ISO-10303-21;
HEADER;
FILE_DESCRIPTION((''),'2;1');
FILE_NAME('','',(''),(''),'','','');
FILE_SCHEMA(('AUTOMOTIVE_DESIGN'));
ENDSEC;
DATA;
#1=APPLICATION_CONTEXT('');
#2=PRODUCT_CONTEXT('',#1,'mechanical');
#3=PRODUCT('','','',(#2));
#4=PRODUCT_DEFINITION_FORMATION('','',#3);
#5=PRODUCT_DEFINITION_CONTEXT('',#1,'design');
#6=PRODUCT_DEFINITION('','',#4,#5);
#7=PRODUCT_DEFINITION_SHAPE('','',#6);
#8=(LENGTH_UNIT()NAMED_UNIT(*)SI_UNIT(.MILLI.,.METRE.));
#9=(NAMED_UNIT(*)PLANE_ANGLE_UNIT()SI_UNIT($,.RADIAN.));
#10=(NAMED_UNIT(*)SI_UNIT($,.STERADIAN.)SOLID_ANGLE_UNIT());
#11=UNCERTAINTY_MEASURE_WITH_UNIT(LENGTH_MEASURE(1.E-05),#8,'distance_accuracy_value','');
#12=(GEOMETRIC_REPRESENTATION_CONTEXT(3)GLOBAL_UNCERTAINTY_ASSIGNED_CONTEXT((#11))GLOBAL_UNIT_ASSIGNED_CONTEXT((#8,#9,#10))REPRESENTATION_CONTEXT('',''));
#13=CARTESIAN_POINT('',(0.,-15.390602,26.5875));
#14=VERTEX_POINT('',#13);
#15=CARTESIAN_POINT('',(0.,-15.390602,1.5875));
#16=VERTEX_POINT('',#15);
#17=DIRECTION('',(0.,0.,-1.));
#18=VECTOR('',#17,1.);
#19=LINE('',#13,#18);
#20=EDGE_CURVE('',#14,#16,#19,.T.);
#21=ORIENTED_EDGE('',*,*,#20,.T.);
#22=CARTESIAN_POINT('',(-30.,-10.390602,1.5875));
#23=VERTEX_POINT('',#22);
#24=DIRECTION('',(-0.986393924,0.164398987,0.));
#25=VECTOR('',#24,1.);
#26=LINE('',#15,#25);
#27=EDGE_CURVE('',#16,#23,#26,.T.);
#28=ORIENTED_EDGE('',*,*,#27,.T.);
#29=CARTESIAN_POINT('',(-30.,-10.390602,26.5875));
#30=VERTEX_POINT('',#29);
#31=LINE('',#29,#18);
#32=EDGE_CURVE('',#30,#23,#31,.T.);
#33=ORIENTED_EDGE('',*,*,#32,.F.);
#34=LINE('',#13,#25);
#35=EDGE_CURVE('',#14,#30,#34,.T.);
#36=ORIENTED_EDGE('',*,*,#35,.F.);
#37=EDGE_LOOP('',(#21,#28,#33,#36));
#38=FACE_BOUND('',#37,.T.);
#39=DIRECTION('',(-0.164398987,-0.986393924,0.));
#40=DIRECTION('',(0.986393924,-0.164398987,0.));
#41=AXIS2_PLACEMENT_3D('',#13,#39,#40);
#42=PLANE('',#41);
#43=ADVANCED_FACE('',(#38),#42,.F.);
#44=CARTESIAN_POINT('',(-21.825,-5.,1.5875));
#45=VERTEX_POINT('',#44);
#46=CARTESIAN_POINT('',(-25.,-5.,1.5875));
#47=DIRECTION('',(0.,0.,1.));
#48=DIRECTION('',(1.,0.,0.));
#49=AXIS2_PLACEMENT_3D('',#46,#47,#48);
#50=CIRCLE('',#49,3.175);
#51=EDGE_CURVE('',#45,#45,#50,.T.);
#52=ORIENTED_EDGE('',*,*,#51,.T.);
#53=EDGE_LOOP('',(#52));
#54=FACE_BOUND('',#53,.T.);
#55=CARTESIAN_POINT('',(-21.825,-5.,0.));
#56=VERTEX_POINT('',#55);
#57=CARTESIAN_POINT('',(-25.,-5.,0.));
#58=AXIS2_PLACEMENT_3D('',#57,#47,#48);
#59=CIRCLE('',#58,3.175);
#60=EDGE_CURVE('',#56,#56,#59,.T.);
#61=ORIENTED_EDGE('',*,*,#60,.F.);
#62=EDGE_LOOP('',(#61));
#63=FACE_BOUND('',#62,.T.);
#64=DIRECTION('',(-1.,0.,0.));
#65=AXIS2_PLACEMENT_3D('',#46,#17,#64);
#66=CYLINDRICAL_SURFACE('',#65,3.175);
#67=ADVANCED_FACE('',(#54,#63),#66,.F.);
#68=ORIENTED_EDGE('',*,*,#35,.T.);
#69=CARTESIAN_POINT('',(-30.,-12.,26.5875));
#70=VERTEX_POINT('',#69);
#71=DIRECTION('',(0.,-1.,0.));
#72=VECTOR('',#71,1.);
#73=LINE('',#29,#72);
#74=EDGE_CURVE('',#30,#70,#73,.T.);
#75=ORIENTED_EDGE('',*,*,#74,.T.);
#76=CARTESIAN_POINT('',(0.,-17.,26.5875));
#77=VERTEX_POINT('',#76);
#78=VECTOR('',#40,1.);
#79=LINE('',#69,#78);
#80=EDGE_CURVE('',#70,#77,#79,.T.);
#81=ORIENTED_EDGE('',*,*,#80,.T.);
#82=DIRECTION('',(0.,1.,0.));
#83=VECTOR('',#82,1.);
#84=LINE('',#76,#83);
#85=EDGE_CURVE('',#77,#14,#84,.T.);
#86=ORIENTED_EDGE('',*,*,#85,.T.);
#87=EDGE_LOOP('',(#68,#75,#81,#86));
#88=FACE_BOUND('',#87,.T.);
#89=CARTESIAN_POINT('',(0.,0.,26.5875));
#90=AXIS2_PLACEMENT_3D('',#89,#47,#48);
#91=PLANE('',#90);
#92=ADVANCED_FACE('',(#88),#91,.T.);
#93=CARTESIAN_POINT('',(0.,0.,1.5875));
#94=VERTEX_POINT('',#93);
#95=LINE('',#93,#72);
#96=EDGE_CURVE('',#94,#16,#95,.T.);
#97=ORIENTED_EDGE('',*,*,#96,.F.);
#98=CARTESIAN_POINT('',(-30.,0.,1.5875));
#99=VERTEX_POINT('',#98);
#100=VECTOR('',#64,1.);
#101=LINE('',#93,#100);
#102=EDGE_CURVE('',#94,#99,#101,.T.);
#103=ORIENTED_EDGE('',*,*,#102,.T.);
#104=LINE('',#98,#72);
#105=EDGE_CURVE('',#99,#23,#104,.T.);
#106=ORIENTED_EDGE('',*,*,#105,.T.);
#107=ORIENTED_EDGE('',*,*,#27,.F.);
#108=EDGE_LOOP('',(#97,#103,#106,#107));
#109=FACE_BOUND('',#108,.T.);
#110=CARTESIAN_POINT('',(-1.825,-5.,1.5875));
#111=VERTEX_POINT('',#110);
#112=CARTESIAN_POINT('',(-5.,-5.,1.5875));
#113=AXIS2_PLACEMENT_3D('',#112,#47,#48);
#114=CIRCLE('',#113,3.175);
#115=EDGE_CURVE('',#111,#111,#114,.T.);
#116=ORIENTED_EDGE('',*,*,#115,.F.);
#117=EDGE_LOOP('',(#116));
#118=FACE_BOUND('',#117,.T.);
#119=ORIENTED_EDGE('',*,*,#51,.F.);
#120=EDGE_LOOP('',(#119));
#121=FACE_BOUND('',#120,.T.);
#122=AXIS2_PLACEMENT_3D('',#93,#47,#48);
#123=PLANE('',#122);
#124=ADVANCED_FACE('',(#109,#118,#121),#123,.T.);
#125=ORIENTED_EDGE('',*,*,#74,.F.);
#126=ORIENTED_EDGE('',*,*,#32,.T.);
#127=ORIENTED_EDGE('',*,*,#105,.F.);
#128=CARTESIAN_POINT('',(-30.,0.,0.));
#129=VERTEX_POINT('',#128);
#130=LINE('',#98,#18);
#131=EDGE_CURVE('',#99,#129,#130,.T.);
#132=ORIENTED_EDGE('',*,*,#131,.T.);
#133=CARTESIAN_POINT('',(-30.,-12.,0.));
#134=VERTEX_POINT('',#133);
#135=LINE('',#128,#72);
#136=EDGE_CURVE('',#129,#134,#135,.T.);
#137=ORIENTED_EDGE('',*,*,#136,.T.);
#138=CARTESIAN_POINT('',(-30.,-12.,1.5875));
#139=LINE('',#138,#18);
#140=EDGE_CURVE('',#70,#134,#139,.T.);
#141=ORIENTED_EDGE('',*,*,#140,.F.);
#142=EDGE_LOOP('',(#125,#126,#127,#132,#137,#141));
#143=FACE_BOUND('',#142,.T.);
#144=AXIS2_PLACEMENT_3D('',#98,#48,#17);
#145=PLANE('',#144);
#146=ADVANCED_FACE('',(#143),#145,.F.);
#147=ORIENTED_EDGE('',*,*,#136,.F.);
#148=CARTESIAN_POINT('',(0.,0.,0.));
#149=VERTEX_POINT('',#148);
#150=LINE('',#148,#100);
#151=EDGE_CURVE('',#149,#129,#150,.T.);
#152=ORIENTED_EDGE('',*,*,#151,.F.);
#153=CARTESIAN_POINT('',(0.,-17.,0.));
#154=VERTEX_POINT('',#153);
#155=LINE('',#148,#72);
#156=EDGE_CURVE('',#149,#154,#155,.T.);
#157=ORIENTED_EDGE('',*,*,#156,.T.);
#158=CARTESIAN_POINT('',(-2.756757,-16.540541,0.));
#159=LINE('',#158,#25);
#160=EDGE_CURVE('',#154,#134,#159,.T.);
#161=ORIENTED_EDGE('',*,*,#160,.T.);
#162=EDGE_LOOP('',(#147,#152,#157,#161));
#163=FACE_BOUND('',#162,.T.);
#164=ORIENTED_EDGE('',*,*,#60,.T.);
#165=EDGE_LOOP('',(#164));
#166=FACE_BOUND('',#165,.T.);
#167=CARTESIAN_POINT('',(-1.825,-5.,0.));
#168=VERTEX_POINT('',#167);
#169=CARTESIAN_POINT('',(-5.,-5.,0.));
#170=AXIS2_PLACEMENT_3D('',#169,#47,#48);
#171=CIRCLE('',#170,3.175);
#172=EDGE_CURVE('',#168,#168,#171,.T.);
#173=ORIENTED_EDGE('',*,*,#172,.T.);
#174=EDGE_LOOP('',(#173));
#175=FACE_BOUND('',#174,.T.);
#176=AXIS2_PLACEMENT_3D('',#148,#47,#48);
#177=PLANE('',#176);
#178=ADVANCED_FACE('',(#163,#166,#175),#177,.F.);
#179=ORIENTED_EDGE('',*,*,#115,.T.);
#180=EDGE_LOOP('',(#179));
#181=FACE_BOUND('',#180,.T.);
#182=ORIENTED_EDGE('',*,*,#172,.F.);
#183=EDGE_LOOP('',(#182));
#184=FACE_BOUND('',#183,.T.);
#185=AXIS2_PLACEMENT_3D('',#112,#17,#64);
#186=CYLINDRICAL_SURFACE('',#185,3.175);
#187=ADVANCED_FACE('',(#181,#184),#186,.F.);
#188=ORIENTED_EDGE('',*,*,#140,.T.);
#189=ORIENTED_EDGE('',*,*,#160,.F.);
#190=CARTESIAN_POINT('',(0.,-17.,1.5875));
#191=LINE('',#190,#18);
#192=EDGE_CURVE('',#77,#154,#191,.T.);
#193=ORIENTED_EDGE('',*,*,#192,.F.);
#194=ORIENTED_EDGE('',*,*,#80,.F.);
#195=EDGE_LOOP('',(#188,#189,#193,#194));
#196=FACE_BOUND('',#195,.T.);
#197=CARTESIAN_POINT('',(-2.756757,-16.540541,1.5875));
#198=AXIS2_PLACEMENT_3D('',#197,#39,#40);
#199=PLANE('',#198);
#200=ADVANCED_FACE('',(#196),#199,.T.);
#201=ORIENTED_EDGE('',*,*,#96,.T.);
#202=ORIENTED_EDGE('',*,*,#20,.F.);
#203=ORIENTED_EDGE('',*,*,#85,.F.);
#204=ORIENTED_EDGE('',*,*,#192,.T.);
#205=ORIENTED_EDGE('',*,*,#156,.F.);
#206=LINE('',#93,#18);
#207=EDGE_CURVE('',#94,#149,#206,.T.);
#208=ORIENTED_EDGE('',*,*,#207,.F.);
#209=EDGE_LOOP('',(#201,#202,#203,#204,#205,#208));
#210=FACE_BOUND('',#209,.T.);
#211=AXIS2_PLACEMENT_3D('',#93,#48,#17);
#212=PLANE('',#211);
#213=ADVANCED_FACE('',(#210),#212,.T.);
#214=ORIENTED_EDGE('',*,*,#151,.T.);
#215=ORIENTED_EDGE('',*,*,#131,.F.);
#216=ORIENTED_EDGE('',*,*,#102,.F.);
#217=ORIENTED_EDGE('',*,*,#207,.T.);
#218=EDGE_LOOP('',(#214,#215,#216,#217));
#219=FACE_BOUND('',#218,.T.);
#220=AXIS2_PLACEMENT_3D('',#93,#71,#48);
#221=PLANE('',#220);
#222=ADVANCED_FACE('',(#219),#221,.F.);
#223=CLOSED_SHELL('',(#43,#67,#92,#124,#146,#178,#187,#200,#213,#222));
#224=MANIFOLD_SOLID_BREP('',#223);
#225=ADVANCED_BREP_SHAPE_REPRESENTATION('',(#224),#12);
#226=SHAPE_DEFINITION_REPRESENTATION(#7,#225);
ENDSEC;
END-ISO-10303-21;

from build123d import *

# Parameters (mm, degrees)
CROQUIS3_R              = 3.175
SALIENTE_EXTRUIR2_DEPTH = 1.5875
SALIENTE_EXTRUIR3_DEPTH = 25


with BuildPart() as part:
    # Croquis3 → Saliente-Extruir2 (new body)
    with BuildSketch(Plane.XY):
        Polygon((0, -17), (0, 0), (-30, 0), (-30, -12), align=None)
        with Locations((-25, -5)):
            Circle(CROQUIS3_R, mode=Mode.SUBTRACT)
        with Locations((-5, -5)):
            Circle(CROQUIS3_R, mode=Mode.SUBTRACT)
    extrude(amount=SALIENTE_EXTRUIR2_DEPTH)

    # Croquis4 → Saliente-Extruir3 (add)
    with BuildSketch(Plane.XY.offset(1.5875)):
        Polygon((-30, -12), (0, -17), (0, -15.390602414), (-30, -10.390602414), align=None)
    extrude(amount=SALIENTE_EXTRUIR3_DEPTH)


solid = part.part
